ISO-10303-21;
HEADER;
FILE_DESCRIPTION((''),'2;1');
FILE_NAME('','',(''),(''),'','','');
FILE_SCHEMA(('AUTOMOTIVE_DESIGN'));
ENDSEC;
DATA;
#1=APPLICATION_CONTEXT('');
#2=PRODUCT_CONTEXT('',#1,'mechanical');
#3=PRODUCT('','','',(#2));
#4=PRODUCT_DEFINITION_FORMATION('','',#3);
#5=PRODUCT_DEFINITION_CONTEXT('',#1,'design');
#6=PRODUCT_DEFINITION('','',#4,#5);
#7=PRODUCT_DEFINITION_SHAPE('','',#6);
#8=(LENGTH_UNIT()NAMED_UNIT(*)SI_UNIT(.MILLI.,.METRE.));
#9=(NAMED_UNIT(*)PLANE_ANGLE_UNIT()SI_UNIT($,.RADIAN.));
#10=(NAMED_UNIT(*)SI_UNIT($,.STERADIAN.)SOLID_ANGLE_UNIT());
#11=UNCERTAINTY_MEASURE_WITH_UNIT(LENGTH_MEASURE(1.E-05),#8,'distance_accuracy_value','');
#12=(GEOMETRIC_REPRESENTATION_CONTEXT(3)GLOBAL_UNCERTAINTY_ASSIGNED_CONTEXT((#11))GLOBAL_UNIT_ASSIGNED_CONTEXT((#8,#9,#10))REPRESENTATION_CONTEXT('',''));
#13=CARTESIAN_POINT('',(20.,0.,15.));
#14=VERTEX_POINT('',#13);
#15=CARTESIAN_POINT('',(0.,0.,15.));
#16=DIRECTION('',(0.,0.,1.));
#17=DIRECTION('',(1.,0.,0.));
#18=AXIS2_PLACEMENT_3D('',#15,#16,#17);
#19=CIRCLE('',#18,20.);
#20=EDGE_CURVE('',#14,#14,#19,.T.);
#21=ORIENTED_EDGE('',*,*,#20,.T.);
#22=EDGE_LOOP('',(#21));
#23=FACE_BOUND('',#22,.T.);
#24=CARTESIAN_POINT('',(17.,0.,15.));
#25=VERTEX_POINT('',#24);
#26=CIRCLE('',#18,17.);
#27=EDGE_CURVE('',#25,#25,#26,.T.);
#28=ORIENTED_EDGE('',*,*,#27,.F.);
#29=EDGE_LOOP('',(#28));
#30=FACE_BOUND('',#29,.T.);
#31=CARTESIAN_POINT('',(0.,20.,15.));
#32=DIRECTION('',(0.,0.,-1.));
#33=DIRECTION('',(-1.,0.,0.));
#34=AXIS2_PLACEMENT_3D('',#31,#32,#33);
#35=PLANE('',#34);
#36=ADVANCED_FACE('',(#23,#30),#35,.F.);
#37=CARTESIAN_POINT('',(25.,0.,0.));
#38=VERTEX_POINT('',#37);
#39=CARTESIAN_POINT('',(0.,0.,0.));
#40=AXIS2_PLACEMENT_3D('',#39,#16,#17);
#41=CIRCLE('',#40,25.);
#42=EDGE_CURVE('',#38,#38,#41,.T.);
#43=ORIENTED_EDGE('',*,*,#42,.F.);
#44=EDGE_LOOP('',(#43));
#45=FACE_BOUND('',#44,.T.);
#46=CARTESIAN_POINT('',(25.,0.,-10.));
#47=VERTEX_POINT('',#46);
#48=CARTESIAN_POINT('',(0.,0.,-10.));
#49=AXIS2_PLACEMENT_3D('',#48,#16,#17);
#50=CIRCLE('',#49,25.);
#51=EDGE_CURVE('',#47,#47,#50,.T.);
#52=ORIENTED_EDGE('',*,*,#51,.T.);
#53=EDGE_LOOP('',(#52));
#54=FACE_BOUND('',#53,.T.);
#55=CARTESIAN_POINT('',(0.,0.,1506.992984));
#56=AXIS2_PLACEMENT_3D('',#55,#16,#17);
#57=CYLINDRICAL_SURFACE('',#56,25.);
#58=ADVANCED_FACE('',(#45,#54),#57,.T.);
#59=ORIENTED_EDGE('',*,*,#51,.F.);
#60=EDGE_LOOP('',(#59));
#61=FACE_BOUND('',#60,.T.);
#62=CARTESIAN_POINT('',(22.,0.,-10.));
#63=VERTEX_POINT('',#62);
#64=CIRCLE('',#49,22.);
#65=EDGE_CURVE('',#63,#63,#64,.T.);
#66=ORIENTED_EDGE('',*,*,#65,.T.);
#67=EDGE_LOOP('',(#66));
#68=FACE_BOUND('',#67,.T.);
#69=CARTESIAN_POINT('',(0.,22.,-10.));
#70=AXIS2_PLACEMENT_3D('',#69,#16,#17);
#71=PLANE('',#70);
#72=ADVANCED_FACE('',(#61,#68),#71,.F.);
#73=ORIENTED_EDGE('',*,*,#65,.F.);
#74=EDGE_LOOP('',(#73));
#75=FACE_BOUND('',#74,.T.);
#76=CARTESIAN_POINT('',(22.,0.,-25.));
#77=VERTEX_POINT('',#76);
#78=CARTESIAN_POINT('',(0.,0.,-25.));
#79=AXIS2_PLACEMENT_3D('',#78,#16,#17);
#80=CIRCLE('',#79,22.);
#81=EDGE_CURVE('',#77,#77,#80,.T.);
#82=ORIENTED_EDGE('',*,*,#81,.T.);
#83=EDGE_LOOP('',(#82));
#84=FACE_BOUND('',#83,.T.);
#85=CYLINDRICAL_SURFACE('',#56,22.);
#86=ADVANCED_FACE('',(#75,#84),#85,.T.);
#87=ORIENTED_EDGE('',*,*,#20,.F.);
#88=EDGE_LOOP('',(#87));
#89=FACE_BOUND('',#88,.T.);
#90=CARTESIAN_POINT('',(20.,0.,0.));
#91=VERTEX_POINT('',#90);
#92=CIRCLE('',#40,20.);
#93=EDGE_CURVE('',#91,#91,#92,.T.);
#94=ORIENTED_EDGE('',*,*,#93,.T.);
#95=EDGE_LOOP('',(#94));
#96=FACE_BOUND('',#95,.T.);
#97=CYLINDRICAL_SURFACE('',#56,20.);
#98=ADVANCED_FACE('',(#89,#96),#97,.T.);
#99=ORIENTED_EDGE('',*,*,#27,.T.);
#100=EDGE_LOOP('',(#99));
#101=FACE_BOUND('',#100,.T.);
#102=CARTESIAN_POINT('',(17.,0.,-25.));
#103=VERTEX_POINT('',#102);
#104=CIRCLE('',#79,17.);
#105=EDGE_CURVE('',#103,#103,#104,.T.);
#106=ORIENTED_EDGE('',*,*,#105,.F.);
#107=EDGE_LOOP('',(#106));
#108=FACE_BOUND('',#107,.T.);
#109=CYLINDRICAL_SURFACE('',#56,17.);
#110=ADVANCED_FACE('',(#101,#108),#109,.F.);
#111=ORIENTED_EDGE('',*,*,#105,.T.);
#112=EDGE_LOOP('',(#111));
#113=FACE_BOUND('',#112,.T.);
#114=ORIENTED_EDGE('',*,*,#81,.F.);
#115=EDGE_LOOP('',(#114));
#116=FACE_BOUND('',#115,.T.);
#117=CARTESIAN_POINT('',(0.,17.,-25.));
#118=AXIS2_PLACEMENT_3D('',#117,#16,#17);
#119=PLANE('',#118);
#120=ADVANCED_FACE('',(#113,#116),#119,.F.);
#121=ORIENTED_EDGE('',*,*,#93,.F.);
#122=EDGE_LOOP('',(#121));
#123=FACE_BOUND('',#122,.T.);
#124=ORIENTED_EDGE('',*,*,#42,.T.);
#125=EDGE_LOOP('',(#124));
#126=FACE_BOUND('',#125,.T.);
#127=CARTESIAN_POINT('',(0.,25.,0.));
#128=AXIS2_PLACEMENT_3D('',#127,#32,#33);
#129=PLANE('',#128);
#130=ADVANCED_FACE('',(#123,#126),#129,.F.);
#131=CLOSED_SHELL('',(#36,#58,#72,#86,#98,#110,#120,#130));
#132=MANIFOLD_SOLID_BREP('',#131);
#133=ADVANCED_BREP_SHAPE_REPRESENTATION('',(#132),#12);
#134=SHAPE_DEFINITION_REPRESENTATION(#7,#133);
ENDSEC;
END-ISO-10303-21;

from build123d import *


with BuildPart() as part:
    # Эскиз1 → Повернуть1 (revolve)
    with BuildSketch(Plane(origin=(0, 0, 0), x_dir=(0, 0, -1), z_dir=(1, 0, 0)), mode=Mode.PRIVATE) as revolve_1_sk:
        Polygon((-15, 17), (25, 17), (25, 22), (10, 22), (10, 25), (0, 25), (0, 20), (-15, 20), align=None)
    revolve(revolve_1_sk.sketch.rotate(Axis((0, 0, 1506.992983651), (0, 0, -1)), 90), axis=Axis((0, 0, 1506.992983651), (0, 0, -1)))


solid = part.part
